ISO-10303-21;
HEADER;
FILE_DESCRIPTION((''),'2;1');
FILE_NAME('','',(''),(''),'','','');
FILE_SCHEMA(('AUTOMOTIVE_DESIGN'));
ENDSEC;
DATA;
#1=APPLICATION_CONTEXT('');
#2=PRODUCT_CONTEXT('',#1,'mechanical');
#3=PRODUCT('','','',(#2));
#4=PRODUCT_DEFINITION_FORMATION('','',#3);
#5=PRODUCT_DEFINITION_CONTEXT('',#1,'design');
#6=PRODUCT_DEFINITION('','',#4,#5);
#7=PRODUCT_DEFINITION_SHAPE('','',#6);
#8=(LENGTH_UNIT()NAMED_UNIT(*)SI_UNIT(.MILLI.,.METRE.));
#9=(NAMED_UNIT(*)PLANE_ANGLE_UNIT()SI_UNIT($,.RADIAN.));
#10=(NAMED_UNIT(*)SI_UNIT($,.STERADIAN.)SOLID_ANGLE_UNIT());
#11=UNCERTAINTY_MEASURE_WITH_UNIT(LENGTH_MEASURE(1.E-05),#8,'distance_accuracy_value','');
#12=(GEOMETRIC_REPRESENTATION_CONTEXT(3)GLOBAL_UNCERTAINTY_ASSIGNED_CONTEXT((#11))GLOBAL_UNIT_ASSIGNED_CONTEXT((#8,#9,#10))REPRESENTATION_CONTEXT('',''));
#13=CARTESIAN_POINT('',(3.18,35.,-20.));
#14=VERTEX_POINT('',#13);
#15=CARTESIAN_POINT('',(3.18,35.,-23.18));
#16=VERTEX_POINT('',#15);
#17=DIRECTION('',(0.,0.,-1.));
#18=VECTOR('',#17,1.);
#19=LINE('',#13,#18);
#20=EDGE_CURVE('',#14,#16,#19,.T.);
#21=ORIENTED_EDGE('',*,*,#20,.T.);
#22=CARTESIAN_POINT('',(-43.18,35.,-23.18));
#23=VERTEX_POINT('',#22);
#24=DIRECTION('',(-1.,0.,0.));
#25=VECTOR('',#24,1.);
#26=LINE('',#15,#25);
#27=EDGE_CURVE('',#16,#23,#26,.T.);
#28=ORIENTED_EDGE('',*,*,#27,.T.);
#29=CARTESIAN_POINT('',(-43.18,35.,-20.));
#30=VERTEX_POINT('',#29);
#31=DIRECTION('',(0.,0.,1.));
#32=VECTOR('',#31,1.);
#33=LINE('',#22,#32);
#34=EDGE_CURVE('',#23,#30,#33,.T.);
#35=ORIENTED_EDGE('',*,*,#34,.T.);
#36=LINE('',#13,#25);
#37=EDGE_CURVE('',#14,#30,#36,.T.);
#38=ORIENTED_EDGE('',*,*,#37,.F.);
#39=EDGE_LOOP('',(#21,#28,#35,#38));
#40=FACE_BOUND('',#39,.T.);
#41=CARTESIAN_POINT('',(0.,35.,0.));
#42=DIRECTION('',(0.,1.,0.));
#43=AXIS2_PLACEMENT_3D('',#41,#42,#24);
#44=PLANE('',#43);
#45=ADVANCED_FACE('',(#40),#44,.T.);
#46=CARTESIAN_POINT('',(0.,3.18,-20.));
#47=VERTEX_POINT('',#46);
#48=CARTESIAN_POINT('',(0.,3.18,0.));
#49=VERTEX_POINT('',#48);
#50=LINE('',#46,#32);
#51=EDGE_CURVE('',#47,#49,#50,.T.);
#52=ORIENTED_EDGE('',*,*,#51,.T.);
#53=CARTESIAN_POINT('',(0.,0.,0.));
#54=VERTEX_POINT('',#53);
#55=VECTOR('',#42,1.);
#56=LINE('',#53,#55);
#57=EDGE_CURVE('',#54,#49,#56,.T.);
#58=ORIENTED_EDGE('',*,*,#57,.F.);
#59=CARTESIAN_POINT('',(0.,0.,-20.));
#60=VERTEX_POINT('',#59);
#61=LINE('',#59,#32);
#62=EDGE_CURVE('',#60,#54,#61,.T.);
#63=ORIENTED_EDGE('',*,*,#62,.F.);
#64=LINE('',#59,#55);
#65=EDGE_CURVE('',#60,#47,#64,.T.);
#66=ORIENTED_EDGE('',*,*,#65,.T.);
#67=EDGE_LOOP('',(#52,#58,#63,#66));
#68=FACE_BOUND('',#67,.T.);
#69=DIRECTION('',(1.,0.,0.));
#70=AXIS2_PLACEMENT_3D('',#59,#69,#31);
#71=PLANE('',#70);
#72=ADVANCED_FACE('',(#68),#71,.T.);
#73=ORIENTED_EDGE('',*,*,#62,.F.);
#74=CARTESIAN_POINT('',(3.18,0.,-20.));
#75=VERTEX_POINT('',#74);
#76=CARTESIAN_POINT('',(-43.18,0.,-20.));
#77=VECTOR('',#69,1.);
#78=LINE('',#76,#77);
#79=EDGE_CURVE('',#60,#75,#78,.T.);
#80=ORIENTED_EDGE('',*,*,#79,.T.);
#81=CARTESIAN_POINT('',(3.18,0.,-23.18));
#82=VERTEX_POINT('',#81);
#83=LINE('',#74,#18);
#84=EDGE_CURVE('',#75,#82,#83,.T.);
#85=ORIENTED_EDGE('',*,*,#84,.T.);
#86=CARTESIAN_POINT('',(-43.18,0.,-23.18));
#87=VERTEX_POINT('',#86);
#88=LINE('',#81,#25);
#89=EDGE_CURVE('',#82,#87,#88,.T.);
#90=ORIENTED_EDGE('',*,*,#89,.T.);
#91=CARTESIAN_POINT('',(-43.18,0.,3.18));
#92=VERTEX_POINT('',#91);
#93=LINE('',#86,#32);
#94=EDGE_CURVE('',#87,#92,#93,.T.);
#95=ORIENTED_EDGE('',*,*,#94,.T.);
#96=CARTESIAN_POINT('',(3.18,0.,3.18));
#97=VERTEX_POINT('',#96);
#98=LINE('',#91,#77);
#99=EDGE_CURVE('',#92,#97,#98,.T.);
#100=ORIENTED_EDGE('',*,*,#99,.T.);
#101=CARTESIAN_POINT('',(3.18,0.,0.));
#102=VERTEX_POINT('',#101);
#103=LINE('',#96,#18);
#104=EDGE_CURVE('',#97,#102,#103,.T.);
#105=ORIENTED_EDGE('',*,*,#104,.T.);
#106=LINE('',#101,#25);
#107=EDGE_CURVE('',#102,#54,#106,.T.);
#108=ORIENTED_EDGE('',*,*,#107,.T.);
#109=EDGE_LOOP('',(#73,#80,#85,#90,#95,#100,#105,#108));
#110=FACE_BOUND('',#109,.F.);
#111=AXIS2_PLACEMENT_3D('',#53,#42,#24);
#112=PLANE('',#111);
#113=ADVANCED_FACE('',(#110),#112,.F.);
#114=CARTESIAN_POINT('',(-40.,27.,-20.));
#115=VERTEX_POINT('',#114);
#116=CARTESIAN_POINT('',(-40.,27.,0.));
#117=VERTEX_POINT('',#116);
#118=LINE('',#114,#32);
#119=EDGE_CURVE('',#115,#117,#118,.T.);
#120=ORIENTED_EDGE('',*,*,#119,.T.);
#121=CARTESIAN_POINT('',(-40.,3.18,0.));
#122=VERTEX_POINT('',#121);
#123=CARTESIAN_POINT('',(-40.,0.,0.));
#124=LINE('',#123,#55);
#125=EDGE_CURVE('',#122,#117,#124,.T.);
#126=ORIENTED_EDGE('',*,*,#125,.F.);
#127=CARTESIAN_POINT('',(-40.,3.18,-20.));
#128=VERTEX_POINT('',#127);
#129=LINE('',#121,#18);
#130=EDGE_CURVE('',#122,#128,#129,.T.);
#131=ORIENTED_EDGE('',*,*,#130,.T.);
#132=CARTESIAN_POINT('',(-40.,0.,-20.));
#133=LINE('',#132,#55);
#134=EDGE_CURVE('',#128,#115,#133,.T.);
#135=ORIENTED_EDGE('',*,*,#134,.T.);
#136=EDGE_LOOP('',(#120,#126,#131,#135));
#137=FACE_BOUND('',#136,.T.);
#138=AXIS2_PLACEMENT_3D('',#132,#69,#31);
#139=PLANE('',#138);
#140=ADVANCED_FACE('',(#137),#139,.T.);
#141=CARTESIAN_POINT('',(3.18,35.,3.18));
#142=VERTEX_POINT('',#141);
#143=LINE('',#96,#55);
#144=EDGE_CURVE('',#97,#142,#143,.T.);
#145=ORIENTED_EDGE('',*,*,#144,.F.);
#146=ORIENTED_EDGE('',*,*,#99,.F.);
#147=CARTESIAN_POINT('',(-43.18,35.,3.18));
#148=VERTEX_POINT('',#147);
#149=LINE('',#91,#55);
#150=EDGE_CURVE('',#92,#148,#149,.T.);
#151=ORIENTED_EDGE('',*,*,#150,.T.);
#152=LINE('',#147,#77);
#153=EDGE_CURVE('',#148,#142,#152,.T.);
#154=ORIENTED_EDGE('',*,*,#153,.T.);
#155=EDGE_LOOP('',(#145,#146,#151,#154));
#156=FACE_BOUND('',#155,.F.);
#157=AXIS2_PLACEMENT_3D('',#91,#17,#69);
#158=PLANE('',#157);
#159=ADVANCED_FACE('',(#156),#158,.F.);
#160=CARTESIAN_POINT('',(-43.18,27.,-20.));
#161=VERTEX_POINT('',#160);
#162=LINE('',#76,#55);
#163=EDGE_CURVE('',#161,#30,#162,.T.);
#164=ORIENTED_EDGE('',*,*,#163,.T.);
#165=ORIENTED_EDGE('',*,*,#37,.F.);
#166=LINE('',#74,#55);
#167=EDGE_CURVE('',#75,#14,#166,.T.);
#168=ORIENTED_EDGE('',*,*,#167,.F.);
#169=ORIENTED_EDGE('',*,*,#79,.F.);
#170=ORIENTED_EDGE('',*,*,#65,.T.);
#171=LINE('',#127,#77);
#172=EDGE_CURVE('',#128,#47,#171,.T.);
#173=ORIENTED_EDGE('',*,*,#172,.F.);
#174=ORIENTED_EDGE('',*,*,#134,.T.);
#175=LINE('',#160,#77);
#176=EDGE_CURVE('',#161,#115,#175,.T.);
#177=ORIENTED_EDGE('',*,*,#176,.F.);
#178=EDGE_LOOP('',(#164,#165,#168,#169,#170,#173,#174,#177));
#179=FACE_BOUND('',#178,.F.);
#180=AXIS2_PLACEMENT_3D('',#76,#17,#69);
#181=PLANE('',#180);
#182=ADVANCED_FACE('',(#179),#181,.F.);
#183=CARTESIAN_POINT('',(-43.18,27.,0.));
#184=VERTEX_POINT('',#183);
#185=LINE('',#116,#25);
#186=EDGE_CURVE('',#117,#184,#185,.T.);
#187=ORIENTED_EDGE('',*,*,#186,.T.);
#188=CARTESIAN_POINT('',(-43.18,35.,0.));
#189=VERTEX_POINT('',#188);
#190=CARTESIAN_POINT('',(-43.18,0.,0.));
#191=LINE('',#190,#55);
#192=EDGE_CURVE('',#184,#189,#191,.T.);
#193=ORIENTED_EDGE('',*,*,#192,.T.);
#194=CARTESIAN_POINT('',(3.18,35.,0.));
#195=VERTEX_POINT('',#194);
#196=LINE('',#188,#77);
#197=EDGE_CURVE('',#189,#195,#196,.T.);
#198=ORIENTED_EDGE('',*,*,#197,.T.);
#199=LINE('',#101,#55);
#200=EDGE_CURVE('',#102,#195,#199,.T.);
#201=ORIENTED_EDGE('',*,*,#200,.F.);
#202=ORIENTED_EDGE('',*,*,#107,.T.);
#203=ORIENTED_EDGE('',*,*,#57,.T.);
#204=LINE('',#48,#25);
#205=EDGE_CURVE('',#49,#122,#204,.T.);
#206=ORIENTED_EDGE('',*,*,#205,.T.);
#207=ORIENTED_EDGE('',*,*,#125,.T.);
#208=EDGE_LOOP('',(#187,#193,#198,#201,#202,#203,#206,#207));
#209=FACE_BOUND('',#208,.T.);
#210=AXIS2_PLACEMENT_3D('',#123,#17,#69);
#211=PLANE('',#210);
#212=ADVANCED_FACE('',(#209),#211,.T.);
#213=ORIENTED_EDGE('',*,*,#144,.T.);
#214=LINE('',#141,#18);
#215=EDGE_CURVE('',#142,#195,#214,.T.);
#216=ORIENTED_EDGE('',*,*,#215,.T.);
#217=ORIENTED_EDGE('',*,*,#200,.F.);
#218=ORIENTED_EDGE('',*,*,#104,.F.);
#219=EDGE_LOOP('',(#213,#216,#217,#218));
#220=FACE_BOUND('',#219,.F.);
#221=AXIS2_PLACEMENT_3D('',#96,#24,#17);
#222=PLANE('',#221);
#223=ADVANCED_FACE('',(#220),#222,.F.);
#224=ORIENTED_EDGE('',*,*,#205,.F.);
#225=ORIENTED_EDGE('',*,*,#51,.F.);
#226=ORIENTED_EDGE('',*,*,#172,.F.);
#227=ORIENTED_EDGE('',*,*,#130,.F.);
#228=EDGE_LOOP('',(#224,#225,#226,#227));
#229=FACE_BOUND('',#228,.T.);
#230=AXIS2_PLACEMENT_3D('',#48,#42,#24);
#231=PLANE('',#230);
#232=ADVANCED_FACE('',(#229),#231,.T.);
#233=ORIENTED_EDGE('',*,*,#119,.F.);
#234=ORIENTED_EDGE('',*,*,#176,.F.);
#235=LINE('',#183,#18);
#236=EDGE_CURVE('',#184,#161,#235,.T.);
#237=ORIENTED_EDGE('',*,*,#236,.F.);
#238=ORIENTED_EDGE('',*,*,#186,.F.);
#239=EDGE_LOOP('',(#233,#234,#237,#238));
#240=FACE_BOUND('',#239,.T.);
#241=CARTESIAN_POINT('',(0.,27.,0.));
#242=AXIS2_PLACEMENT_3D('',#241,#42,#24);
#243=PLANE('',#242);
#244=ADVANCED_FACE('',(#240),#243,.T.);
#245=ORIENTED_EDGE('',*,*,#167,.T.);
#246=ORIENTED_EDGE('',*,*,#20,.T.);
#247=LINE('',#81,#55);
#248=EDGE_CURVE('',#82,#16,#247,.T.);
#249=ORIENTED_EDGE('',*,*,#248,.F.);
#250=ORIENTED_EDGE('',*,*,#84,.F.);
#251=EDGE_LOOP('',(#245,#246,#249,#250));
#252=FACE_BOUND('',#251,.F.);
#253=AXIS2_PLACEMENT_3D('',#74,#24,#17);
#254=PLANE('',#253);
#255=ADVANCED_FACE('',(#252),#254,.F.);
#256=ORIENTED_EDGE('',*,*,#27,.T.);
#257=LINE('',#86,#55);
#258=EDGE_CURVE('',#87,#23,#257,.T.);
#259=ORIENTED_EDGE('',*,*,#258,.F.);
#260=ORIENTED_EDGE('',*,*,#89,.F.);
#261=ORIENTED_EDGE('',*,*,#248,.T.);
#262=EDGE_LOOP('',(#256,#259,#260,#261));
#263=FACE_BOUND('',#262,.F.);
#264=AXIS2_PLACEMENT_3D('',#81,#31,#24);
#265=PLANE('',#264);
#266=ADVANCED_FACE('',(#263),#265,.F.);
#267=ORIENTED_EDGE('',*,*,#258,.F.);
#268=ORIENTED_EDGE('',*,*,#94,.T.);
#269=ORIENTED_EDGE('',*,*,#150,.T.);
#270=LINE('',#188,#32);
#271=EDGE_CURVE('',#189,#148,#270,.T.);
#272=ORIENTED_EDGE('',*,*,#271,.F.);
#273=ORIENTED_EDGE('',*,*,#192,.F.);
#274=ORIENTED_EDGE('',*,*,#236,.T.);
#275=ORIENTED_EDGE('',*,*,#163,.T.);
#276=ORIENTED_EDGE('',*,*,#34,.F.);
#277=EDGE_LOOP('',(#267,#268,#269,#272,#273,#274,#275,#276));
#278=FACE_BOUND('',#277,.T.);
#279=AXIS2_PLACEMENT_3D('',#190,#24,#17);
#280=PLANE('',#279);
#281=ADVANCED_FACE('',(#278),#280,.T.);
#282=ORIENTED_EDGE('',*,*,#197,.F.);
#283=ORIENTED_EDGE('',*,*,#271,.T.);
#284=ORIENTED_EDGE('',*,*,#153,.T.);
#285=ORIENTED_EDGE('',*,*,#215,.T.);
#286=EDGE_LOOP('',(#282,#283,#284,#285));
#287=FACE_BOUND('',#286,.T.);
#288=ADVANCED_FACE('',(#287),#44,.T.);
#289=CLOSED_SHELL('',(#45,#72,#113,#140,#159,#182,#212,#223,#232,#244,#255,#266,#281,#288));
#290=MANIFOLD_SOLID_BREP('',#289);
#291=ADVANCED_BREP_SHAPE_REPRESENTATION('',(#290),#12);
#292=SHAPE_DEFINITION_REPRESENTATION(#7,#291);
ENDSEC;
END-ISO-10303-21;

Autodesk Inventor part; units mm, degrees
ref_plane "YZ Plane" through (0, 0, 0) normal (1, 0, 0) x (0, 1, 0)
ref_plane "XZ Plane" through (0, 0, 0) normal (0, 1, 0) x (-1, 0, 0)
ref_plane "XY Plane" through (0, 0, 0) normal (0, 0, 1) x (1, 0, 0)
sketch "Sketch2" plane through (0, 0, 0) normal (0, 1, 0) x (-1, 0, 0)
  line L0 (0, 0) -> (40, 0)
  line L1 (40, 0) -> (40, -20)
  line L2 (40, -20) -> (0, -20)
  line L3 (0, -20) -> (0, 0)
  dimension "d25" = 40
  dimension "d26" = 20
extrude "Extrusion1" add sketch "Sketch2" along normal blind 3.18
sketch "Sketch5" plane through (0, 0, 0) normal (0, 1, 0) x (-1, 0, 0)
  line L0 (40, 0) -> (0, 0) projected
  line L1 (0, 0) -> (0, -20) projected
  line L2 (0, -20) -> (40, -20) projected
  line L3 (40, -20) -> (40, 0) projected
  line L4 (-3.18, 0) -> (43.18, 0)
  line L5 (43.18, 0) -> (43.18, 3.18)
  line L6 (43.18, 3.18) -> (-3.18, 3.18)
  line L7 (-3.18, 3.18) -> (-3.18, 0)
  line L8 (43.18, -20) -> (-3.18, -20)
  line L9 (-3.18, -20) -> (-3.18, -23.18)
  line L10 (-3.18, -23.18) -> (43.18, -23.18)
  line L11 (43.18, -23.18) -> (43.18, -20)
  dimension "d34" = 3.18
  dimension "d35" = 3.18
  dimension "d36" = 3.18
extrude "Extrusion2" add sketch "Sketch5" along normal blind 35 contours L0 L4 L7 L6 L5 | L8 L11 L10 L9 L2
sketch "Sketch6" plane through (0, 0, 0) normal (0, 1, 0) x (-1, 0, 0)
  line L0 (40, 0) -> (0, 0) projected
  line L1 (0, 0) -> (0, -20) projected
  line L2 (0, -20) -> (40, -20) projected
  line L3 (40, -20) -> (40, 0) projected
  line L4 (40, 0) -> (43.18, 0)
  line L5 (43.18, 0) -> (43.18, -20)
  line L6 (43.18, -20) -> (40, -20)
  line L7 (40, -20) -> (40, 0)
  dimension "d39" = 3.18
  dimension "d40" = 20
extrude "Extrusion3" add sketch "Sketch6" along normal blind 27 contours L4 L5 L6 L3
properties part number "Base_servo1"
